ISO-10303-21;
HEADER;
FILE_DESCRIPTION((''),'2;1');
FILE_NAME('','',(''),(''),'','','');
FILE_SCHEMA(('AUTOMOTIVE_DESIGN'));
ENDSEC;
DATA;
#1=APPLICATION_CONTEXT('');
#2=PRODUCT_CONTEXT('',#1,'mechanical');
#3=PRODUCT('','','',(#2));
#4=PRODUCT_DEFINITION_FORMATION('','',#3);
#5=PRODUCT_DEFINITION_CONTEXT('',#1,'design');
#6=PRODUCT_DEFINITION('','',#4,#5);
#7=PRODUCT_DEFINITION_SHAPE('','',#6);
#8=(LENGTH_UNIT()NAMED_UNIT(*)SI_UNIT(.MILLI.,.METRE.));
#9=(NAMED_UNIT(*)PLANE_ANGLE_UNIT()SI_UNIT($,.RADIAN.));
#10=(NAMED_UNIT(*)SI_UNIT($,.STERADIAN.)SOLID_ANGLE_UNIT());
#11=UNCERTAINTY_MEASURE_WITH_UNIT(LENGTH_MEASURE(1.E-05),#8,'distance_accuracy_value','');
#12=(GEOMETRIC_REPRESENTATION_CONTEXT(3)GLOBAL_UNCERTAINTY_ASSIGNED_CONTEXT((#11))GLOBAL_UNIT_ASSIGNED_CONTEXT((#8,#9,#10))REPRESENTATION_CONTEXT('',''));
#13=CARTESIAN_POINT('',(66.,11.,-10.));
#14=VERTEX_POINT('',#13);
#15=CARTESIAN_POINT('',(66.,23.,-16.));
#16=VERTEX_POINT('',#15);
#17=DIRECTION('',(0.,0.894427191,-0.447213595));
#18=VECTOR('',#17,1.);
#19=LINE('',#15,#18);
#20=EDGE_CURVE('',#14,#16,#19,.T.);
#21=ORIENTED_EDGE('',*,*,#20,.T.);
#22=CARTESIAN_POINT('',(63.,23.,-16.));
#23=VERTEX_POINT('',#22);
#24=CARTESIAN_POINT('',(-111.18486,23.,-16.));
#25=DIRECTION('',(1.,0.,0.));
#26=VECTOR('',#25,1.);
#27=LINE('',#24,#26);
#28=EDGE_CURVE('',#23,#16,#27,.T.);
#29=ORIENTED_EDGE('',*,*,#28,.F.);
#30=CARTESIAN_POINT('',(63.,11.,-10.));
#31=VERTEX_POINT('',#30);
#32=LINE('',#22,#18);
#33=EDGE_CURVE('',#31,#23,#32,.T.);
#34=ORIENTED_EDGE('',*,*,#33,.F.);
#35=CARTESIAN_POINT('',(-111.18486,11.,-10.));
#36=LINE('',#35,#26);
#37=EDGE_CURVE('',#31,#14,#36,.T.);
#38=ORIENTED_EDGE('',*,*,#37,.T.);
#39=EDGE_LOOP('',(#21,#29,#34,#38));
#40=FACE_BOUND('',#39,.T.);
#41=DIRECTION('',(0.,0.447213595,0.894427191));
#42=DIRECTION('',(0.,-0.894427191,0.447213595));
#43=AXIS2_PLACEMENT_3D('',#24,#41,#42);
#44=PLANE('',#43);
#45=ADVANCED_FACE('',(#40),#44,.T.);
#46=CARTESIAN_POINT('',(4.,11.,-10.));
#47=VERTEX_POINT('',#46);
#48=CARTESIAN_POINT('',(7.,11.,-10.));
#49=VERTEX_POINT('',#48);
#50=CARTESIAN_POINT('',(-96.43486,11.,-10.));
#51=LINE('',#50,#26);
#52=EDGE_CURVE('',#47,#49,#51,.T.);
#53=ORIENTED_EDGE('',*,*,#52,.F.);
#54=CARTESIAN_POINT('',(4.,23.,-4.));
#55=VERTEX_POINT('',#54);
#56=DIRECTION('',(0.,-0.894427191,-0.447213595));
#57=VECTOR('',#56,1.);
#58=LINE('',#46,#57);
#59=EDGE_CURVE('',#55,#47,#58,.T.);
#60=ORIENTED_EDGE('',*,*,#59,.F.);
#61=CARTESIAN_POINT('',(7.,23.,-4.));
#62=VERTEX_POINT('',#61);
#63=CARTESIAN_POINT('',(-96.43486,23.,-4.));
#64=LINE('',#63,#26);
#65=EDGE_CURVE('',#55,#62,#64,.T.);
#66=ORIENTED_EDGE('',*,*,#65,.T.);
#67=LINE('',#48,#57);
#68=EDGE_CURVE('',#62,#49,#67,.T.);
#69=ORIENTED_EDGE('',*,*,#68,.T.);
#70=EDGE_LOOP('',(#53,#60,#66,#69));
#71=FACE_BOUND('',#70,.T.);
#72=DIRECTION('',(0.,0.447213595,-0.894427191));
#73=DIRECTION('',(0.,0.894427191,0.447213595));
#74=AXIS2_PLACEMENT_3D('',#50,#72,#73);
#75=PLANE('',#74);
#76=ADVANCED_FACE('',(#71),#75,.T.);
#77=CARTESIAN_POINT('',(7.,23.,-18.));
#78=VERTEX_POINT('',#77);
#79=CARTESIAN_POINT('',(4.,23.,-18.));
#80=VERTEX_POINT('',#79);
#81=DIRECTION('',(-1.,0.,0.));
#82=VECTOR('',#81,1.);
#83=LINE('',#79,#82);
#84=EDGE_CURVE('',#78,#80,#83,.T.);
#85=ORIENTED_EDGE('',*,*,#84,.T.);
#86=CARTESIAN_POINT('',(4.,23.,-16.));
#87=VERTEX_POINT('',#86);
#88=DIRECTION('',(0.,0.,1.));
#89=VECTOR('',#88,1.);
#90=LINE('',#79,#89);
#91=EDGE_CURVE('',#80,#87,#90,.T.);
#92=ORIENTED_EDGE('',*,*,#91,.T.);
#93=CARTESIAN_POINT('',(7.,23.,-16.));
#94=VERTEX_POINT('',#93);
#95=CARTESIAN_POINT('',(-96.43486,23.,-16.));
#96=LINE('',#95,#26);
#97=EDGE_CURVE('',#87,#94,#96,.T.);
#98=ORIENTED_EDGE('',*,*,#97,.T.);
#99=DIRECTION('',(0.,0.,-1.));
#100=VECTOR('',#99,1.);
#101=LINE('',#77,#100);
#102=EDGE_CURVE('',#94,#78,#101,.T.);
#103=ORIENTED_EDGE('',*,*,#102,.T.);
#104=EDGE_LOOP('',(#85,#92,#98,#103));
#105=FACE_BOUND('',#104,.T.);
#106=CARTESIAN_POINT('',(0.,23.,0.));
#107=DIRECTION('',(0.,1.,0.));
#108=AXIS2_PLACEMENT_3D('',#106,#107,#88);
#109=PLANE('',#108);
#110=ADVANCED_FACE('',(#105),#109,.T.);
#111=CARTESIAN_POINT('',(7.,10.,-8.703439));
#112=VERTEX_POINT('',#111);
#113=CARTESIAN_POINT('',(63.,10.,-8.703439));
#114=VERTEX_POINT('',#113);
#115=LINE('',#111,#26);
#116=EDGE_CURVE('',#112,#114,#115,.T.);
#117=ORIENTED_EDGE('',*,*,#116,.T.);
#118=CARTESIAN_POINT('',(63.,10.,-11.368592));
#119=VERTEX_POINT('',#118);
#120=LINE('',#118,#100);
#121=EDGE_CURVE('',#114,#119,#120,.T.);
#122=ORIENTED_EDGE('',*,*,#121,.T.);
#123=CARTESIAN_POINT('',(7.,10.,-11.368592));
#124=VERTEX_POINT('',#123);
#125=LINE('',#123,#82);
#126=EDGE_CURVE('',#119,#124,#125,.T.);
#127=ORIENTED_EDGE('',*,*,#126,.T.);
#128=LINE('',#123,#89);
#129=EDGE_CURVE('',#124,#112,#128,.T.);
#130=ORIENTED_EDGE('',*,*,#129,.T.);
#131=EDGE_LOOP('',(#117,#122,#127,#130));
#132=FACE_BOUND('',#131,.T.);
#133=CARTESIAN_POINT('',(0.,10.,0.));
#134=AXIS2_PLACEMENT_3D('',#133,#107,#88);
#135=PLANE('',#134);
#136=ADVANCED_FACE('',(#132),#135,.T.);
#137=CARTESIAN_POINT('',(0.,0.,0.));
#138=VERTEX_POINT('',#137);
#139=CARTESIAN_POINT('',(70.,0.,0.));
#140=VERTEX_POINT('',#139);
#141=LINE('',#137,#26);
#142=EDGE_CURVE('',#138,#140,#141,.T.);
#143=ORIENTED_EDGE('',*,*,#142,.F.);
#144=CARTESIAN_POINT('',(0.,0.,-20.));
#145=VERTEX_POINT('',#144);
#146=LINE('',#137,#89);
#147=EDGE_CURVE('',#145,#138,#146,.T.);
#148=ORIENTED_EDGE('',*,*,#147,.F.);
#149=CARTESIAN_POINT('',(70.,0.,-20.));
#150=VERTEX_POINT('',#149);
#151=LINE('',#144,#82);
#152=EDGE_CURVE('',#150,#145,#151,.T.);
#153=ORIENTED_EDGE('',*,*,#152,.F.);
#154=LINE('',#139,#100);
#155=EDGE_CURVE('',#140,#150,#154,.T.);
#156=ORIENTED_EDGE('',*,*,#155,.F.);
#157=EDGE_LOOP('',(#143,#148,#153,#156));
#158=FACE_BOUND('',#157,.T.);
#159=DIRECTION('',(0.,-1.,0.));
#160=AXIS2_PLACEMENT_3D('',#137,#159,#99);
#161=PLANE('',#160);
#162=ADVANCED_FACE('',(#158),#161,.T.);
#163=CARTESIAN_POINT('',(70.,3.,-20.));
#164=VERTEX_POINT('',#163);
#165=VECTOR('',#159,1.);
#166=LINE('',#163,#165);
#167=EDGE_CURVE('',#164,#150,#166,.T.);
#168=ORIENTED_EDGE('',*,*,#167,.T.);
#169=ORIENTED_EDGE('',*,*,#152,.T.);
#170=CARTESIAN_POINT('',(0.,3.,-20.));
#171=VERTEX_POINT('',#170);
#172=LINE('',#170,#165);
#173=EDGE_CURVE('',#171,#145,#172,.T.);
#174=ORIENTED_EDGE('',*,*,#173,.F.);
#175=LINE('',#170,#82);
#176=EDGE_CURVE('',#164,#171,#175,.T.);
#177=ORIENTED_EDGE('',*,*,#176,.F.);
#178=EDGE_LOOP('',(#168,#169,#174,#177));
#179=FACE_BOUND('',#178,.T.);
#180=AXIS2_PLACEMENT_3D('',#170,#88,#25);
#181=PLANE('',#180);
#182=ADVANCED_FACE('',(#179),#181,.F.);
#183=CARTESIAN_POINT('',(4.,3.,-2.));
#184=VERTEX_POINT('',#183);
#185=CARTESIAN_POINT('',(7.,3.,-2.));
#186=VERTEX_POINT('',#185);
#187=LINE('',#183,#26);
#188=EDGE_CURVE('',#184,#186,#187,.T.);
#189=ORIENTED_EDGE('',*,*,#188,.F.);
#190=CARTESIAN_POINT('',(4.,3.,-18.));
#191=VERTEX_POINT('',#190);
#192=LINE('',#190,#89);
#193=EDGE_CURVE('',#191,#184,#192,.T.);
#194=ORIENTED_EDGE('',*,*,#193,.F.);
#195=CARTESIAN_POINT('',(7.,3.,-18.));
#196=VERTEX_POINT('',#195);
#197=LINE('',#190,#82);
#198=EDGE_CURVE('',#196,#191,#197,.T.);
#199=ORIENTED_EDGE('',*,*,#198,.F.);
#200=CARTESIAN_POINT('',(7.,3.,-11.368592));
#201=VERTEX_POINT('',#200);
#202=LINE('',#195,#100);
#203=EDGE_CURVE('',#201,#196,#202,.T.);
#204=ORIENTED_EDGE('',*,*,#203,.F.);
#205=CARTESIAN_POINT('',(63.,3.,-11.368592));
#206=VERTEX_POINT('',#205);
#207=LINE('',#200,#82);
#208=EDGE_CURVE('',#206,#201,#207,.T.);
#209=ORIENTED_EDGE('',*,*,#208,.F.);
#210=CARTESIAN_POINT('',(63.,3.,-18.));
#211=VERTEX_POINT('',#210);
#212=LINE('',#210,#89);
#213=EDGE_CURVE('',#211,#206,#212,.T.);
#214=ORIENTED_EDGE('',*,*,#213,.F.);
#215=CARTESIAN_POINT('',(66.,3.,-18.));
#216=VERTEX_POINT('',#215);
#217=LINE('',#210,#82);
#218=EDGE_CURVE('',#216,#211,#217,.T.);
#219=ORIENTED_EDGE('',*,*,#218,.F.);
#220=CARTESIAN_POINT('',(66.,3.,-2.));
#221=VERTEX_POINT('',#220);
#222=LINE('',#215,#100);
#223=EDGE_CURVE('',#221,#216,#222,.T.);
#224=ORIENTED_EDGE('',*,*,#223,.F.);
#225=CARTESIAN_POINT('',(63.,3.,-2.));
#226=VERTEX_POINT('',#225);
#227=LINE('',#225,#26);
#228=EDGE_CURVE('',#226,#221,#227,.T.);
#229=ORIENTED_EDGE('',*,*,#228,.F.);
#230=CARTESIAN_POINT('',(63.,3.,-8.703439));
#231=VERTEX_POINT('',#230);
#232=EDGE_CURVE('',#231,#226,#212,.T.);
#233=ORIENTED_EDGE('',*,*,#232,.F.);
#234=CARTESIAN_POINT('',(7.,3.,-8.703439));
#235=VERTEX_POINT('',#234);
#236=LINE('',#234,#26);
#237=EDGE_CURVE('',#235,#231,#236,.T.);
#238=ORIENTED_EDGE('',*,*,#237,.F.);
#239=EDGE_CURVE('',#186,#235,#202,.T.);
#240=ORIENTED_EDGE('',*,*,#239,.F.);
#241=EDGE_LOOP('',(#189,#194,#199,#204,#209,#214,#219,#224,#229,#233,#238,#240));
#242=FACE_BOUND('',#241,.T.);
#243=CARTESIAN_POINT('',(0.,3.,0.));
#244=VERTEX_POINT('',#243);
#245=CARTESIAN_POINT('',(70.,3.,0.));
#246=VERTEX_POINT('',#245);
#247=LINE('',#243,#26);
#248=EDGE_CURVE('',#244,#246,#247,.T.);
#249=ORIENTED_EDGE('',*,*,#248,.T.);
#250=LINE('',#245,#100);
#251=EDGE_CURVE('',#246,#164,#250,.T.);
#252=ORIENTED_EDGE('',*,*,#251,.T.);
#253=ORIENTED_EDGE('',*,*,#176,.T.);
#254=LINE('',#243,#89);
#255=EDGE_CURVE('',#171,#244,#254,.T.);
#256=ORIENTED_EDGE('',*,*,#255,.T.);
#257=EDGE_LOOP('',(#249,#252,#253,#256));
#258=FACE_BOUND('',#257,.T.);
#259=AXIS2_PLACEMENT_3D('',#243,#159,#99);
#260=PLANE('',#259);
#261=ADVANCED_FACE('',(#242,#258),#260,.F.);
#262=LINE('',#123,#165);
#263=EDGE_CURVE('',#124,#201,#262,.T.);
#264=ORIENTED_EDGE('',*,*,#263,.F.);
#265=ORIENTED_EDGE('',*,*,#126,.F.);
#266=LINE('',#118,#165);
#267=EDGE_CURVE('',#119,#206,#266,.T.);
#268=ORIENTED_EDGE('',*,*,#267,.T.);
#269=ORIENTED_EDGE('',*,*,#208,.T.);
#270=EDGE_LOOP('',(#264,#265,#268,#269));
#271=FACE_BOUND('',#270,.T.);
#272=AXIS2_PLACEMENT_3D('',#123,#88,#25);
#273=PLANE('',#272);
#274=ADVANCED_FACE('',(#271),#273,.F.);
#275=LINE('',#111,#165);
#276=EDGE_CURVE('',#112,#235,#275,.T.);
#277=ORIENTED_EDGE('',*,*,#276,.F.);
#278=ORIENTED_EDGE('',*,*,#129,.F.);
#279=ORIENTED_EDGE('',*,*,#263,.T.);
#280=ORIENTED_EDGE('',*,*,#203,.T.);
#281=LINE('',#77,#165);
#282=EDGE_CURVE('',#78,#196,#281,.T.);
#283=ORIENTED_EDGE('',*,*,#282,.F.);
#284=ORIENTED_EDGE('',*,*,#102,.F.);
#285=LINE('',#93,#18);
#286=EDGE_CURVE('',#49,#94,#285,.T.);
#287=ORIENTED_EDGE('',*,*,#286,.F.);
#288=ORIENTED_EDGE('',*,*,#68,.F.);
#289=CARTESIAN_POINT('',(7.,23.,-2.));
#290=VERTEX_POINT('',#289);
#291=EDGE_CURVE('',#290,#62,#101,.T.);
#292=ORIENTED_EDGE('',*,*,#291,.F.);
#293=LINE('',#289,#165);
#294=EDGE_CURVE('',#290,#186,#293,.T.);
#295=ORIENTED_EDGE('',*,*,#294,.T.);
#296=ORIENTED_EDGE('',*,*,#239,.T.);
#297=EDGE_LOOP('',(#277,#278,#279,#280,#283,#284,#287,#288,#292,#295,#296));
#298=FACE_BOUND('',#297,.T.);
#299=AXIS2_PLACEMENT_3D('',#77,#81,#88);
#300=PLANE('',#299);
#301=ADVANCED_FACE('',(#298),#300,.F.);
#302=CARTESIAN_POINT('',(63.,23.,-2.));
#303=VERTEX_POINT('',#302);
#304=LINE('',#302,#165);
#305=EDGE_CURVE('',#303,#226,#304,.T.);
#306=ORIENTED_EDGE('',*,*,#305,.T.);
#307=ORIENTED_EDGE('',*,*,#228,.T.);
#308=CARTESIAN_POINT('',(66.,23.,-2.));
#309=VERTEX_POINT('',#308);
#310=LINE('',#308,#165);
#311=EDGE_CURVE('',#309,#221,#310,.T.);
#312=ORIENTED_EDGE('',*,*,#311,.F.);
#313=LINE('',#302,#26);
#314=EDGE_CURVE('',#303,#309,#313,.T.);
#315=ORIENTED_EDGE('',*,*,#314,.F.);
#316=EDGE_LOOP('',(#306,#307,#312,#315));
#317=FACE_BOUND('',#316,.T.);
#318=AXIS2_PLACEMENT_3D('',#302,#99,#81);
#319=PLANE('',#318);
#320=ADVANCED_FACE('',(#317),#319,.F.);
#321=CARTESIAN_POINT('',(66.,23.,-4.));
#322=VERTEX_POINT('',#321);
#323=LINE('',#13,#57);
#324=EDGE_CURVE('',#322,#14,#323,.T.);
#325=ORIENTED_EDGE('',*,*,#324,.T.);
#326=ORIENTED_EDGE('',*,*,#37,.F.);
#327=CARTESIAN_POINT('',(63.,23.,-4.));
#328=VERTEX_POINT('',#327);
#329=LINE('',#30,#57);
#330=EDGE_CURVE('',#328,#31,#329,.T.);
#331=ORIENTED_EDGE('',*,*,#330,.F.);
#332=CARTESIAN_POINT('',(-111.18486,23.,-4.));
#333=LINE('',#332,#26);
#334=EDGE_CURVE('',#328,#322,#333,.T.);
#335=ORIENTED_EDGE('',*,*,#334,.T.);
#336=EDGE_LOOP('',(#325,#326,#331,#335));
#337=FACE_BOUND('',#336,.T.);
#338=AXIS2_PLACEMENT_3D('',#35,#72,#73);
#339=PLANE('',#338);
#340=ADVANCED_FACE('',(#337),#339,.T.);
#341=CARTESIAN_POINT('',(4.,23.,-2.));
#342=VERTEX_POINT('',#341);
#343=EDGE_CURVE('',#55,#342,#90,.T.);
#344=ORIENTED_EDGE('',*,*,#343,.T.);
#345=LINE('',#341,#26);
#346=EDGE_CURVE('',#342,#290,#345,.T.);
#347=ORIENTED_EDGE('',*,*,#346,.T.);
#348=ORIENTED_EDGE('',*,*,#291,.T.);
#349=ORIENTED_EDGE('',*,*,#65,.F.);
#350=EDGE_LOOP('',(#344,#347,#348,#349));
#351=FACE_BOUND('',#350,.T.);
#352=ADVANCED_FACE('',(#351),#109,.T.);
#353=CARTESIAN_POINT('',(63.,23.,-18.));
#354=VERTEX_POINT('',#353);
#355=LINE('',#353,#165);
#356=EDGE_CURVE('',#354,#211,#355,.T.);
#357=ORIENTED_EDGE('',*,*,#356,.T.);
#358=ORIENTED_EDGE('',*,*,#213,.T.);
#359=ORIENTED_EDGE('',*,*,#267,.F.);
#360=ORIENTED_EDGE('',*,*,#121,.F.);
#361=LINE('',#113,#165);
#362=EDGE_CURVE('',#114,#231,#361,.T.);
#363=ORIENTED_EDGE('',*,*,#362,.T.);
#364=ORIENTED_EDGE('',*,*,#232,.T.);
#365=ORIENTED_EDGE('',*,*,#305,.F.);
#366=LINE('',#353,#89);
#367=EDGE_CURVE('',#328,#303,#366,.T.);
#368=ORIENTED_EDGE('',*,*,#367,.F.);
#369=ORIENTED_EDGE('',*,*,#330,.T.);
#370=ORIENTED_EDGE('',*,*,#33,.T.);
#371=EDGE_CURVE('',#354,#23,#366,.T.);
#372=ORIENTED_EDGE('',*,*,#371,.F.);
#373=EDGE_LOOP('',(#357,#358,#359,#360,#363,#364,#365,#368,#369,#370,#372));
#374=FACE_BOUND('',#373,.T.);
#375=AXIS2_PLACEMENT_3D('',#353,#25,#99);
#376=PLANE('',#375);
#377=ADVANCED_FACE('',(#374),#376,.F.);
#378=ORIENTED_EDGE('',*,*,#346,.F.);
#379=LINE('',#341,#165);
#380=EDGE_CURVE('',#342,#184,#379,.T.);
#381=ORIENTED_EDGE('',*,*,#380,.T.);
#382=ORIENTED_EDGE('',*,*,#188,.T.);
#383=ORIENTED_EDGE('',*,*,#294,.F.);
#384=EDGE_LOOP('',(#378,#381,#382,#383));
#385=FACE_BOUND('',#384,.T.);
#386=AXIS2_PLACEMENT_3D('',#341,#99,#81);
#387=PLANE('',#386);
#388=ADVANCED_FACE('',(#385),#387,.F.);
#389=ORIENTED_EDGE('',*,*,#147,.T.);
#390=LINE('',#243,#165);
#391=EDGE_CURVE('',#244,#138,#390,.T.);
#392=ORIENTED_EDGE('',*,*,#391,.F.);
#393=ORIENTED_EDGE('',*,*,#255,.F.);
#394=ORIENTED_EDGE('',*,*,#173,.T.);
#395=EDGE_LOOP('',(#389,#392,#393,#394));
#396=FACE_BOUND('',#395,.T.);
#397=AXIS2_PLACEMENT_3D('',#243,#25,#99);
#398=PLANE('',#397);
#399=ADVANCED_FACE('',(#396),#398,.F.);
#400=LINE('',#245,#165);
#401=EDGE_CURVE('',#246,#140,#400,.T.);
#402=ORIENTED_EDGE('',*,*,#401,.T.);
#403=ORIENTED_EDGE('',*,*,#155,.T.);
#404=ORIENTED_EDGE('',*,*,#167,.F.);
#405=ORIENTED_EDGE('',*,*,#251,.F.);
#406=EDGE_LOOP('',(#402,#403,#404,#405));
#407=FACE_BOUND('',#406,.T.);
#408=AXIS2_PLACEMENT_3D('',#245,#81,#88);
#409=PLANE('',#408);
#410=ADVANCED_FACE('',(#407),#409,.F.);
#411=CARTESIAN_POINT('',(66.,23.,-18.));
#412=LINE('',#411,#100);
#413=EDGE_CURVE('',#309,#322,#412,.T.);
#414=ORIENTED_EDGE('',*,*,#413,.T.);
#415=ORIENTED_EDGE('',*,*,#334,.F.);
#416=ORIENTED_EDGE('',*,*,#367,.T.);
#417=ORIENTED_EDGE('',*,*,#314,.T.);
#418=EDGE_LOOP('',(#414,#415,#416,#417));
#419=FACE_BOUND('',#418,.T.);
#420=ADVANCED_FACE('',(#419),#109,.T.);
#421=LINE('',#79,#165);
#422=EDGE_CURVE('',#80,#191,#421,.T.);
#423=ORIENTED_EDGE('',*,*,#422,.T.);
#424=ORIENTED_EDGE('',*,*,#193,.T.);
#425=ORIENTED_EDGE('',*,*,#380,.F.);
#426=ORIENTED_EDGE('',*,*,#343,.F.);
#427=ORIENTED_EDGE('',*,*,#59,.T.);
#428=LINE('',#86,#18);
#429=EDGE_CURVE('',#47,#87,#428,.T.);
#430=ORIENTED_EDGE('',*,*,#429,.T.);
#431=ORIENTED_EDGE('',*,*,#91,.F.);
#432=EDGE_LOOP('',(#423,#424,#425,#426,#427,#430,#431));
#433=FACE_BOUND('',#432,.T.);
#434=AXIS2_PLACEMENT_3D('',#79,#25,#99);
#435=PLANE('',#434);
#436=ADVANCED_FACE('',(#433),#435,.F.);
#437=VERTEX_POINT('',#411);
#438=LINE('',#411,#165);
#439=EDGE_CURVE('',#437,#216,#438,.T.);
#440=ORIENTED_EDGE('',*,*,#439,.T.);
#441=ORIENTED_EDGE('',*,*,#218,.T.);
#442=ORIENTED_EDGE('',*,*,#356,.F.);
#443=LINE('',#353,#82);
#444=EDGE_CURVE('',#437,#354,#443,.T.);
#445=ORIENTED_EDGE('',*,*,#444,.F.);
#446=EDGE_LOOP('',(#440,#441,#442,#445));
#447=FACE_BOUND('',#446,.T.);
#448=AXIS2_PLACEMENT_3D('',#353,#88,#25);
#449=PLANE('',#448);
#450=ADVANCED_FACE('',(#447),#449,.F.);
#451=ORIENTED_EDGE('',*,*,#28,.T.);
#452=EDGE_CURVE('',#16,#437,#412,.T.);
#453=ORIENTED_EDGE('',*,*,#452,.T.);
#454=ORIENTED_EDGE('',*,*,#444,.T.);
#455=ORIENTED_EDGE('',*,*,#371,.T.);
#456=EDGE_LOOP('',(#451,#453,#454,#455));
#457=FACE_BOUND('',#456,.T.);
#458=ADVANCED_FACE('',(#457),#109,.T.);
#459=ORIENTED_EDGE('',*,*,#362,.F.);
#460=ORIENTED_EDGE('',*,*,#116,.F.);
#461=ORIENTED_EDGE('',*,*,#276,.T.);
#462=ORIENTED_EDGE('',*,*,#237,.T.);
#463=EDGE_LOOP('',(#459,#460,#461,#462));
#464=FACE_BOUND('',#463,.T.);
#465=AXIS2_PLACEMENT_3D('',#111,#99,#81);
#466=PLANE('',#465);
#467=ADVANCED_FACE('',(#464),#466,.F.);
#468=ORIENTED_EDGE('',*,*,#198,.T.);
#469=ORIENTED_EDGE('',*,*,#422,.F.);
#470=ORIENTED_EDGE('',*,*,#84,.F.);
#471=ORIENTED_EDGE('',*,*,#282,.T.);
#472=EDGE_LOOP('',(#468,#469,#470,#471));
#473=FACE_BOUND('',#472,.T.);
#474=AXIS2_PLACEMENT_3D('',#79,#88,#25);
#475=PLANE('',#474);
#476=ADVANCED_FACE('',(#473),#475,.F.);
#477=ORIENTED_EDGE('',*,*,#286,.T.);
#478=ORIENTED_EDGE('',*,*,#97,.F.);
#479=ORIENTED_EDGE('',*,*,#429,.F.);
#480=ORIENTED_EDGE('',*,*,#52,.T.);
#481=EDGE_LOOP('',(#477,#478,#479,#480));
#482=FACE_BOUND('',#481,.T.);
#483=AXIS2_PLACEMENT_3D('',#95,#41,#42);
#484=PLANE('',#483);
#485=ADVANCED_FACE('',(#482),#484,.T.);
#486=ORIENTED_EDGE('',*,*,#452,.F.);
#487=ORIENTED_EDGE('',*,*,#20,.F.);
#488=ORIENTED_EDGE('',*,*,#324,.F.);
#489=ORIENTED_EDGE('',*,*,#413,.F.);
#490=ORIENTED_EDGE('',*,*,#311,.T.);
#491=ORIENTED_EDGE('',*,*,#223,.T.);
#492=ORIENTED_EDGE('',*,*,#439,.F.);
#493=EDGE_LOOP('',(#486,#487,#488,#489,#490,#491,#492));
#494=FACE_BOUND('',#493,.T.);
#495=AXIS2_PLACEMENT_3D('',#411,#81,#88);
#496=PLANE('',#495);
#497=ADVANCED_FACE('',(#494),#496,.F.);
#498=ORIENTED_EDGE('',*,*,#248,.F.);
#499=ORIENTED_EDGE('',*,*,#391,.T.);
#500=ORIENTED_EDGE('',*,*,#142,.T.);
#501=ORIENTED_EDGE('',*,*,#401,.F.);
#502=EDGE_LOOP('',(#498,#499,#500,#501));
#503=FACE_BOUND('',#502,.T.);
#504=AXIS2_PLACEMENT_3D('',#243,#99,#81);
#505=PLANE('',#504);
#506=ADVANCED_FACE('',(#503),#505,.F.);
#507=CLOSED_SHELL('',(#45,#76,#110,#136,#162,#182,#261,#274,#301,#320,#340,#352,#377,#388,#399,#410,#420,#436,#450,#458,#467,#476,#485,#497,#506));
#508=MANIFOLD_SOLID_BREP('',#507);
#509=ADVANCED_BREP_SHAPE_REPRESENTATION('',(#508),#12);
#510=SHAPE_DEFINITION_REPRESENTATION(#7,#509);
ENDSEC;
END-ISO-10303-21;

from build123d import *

# Parameters (mm, degrees)
SKETCH_219_W                = 70
SKETCH_219_H                = 20
EXTRUDE_370_DEPTH           = 3
SKETCH_424_W                = 3
SKETCH_424_H                = 16
EXTRUDE_647_DEPTH           = 20
CUT_EXTRUDE_897_DEPTH       = 5
CUT_EXTRUDE_897_DEPTH_BACK  = 3
SKETCH_8_W                  = 3
SKETCH_8_H                  = 16
EXTRUDE_1252_DEPTH          = 20
CUT_EXTRUDE_1518_DEPTH      = 64
CUT_EXTRUDE_1518_DEPTH_BACK = 3
SKETCH_11_W                 = 56
SKETCH_11_H                 = 2.665153407
EXTRUDE_1792_DEPTH          = 7


with BuildPart() as part:
    # Sketch 219 → Extrude 370 (new body)
    with BuildSketch(Plane(origin=(0, 0, 0), x_dir=(1, 0, 0), z_dir=(0, 1, 0))):
        with Locations((35, 10)):
            Rectangle(SKETCH_219_W, SKETCH_219_H)
    extrude(amount=EXTRUDE_370_DEPTH)

    # Sketch 424 → Extrude 647 (add)
    with BuildSketch(Plane(origin=(0, 3, 0), x_dir=(1, 0, 0), z_dir=(0, 1, 0))):
        with Locations((5.5, 10)):
            Rectangle(SKETCH_424_W, SKETCH_424_H)
    extrude(amount=EXTRUDE_647_DEPTH)

    # Sketch 702 → Cut-Extrude 897 (cut, two sides)
    with BuildSketch(Plane.ZY.offset(-4)) as cut_extrude_897_sk:
        Polygon((-45.532064127, 82.064128255), (-16, 23), (-10, 11), (-4, 23), (25.532064127, 82.064128255), (25.532064127, 214.135534064), (-45.532064127, 214.135534064), align=None)
    extrude(amount=CUT_EXTRUDE_897_DEPTH, mode=Mode.SUBTRACT)
    extrude(cut_extrude_897_sk.sketch, amount=-CUT_EXTRUDE_897_DEPTH_BACK, mode=Mode.SUBTRACT)

    # Эскиз8 → Extrude 1252 (add)
    with BuildSketch(Plane(origin=(31.408501121, 3, 2.625790974), x_dir=(1, 0, 0), z_dir=(0, 1, 0))):
        with Locations((33.091498879, 12.625790974)):
            Rectangle(SKETCH_8_W, SKETCH_8_H)
    extrude(amount=EXTRUDE_1252_DEPTH)

    # Эскиз10 → Cut-Extrude 1518 (cut, two sides)
    with BuildSketch(Plane(origin=(63, 0, 2.625790974), x_dir=(0, 0, 1), z_dir=(-1, 0, 0))) as cut_extrude_1518_sk:
        Polygon((-48.157855101, 82.064128255), (-18.625790974, 23), (-12.625790974, 11), (-6.625790974, 23), (22.906273154, 82.064128255), (22.906273154, 214.135534064), (-48.157855101, 214.135534064), align=None)
    extrude(amount=CUT_EXTRUDE_1518_DEPTH, mode=Mode.SUBTRACT)
    extrude(cut_extrude_1518_sk.sketch, amount=-CUT_EXTRUDE_1518_DEPTH_BACK, mode=Mode.SUBTRACT)

    # Эскиз11 → Extrude 1792 (add)
    with BuildSketch(Plane(origin=(0, 3, 0), x_dir=(1, 0, 0), z_dir=(0, 1, 0))):
        with Locations((35, 10.036015586)):
            Rectangle(SKETCH_11_W, SKETCH_11_H)
    extrude(amount=EXTRUDE_1792_DEPTH)


solid = part.part
